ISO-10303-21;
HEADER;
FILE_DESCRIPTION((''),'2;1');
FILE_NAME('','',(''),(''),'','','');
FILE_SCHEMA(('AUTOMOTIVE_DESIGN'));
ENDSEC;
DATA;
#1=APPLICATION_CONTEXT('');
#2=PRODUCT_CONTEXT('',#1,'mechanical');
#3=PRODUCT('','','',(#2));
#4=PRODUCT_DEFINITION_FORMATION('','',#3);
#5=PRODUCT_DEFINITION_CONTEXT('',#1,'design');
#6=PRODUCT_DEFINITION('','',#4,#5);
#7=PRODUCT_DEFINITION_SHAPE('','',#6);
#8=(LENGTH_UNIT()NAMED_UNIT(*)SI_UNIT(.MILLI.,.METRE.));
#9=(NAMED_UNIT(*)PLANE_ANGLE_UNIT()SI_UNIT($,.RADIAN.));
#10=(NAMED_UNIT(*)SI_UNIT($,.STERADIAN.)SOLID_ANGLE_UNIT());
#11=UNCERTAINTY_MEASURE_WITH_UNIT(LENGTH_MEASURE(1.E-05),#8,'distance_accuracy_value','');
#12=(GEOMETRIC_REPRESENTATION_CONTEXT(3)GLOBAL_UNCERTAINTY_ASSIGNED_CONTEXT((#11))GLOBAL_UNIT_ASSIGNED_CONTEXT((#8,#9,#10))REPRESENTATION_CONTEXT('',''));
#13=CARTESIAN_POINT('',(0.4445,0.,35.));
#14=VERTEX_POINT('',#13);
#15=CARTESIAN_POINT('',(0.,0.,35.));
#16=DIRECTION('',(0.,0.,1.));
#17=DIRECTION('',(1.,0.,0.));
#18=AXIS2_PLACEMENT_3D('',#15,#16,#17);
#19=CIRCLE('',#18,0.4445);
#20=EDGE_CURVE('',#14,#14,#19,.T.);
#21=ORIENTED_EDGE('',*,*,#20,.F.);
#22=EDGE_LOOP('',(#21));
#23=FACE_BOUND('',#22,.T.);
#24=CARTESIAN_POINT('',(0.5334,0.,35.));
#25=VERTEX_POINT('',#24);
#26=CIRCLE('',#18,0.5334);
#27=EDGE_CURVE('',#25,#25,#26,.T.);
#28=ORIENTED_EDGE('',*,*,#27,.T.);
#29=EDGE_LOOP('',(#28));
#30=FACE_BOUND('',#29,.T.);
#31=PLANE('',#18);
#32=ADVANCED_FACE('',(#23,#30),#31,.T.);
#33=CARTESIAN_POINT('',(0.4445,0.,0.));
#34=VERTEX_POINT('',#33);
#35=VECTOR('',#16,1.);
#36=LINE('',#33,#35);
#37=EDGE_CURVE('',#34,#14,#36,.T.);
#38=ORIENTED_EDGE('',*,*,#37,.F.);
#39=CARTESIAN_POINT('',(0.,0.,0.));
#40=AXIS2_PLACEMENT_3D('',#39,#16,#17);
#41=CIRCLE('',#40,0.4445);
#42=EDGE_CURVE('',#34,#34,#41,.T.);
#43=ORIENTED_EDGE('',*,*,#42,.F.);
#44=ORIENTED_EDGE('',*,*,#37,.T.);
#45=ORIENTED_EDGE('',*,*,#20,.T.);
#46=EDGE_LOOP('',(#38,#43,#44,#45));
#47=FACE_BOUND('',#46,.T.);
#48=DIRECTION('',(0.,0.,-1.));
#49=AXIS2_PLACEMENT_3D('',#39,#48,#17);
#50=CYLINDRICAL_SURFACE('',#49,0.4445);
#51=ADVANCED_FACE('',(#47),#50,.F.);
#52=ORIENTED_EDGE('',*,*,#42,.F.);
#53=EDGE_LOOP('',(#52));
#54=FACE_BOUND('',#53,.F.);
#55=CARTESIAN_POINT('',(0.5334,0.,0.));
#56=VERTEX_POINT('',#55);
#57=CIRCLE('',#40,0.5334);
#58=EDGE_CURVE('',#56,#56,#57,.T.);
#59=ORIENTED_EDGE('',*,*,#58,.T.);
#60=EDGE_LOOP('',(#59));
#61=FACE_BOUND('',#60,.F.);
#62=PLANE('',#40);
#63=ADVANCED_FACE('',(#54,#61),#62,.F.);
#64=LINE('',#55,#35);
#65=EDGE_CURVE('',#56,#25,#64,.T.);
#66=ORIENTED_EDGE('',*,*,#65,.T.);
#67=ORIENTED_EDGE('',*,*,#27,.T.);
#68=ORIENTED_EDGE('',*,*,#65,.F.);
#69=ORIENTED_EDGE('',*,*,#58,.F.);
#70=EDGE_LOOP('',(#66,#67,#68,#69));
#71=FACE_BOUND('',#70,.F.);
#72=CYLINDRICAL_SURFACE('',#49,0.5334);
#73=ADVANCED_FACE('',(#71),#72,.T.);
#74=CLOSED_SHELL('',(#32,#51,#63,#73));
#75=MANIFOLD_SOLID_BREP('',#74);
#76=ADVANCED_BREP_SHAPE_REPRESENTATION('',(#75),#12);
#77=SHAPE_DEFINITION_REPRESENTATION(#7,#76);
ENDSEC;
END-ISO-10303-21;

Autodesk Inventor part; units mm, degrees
ref_plane "YZ Plane" through (0, 0, 0) normal (1, 0, 0) x (0, 1, 0)
ref_plane "XZ Plane" through (0, 0, 0) normal (0, 1, 0) x (-1, 0, 0)
ref_plane "XY Plane" through (0, 0, 0) normal (0, 0, 1) x (1, 0, 0)
sketch "Sketch1" plane through (0, 0, 0) normal (0, 0, 1) x (1, 0, 0)
  circle A0 centre (0, 0) radius 0.5334
  circle A1 centre (0, 0) radius 0.4445
  dimension "d0" = 1.0668
  dimension "d1" = 0.889
extrude "Extrusion1" add sketch "Sketch1" along normal blind 35
equation "\"d2\" = -OCTd1 + OCTd0 - OCTd2"
equation "\"OCToffset\" = 14.38"
equation "\"lOCTprobeNom\" = 58.38"
equation "\"OCTd0\" = 65"
equation "\"OCTd1\" = 20"
equation "\"OCTd2\" = 10"
equation "\"lAdapter\" = 8.38"
equation "\"dTop\" = 6"
equation "\"lOCTprobeTotal\" = 64.38"
properties part number "OCT_tubing_19G"
